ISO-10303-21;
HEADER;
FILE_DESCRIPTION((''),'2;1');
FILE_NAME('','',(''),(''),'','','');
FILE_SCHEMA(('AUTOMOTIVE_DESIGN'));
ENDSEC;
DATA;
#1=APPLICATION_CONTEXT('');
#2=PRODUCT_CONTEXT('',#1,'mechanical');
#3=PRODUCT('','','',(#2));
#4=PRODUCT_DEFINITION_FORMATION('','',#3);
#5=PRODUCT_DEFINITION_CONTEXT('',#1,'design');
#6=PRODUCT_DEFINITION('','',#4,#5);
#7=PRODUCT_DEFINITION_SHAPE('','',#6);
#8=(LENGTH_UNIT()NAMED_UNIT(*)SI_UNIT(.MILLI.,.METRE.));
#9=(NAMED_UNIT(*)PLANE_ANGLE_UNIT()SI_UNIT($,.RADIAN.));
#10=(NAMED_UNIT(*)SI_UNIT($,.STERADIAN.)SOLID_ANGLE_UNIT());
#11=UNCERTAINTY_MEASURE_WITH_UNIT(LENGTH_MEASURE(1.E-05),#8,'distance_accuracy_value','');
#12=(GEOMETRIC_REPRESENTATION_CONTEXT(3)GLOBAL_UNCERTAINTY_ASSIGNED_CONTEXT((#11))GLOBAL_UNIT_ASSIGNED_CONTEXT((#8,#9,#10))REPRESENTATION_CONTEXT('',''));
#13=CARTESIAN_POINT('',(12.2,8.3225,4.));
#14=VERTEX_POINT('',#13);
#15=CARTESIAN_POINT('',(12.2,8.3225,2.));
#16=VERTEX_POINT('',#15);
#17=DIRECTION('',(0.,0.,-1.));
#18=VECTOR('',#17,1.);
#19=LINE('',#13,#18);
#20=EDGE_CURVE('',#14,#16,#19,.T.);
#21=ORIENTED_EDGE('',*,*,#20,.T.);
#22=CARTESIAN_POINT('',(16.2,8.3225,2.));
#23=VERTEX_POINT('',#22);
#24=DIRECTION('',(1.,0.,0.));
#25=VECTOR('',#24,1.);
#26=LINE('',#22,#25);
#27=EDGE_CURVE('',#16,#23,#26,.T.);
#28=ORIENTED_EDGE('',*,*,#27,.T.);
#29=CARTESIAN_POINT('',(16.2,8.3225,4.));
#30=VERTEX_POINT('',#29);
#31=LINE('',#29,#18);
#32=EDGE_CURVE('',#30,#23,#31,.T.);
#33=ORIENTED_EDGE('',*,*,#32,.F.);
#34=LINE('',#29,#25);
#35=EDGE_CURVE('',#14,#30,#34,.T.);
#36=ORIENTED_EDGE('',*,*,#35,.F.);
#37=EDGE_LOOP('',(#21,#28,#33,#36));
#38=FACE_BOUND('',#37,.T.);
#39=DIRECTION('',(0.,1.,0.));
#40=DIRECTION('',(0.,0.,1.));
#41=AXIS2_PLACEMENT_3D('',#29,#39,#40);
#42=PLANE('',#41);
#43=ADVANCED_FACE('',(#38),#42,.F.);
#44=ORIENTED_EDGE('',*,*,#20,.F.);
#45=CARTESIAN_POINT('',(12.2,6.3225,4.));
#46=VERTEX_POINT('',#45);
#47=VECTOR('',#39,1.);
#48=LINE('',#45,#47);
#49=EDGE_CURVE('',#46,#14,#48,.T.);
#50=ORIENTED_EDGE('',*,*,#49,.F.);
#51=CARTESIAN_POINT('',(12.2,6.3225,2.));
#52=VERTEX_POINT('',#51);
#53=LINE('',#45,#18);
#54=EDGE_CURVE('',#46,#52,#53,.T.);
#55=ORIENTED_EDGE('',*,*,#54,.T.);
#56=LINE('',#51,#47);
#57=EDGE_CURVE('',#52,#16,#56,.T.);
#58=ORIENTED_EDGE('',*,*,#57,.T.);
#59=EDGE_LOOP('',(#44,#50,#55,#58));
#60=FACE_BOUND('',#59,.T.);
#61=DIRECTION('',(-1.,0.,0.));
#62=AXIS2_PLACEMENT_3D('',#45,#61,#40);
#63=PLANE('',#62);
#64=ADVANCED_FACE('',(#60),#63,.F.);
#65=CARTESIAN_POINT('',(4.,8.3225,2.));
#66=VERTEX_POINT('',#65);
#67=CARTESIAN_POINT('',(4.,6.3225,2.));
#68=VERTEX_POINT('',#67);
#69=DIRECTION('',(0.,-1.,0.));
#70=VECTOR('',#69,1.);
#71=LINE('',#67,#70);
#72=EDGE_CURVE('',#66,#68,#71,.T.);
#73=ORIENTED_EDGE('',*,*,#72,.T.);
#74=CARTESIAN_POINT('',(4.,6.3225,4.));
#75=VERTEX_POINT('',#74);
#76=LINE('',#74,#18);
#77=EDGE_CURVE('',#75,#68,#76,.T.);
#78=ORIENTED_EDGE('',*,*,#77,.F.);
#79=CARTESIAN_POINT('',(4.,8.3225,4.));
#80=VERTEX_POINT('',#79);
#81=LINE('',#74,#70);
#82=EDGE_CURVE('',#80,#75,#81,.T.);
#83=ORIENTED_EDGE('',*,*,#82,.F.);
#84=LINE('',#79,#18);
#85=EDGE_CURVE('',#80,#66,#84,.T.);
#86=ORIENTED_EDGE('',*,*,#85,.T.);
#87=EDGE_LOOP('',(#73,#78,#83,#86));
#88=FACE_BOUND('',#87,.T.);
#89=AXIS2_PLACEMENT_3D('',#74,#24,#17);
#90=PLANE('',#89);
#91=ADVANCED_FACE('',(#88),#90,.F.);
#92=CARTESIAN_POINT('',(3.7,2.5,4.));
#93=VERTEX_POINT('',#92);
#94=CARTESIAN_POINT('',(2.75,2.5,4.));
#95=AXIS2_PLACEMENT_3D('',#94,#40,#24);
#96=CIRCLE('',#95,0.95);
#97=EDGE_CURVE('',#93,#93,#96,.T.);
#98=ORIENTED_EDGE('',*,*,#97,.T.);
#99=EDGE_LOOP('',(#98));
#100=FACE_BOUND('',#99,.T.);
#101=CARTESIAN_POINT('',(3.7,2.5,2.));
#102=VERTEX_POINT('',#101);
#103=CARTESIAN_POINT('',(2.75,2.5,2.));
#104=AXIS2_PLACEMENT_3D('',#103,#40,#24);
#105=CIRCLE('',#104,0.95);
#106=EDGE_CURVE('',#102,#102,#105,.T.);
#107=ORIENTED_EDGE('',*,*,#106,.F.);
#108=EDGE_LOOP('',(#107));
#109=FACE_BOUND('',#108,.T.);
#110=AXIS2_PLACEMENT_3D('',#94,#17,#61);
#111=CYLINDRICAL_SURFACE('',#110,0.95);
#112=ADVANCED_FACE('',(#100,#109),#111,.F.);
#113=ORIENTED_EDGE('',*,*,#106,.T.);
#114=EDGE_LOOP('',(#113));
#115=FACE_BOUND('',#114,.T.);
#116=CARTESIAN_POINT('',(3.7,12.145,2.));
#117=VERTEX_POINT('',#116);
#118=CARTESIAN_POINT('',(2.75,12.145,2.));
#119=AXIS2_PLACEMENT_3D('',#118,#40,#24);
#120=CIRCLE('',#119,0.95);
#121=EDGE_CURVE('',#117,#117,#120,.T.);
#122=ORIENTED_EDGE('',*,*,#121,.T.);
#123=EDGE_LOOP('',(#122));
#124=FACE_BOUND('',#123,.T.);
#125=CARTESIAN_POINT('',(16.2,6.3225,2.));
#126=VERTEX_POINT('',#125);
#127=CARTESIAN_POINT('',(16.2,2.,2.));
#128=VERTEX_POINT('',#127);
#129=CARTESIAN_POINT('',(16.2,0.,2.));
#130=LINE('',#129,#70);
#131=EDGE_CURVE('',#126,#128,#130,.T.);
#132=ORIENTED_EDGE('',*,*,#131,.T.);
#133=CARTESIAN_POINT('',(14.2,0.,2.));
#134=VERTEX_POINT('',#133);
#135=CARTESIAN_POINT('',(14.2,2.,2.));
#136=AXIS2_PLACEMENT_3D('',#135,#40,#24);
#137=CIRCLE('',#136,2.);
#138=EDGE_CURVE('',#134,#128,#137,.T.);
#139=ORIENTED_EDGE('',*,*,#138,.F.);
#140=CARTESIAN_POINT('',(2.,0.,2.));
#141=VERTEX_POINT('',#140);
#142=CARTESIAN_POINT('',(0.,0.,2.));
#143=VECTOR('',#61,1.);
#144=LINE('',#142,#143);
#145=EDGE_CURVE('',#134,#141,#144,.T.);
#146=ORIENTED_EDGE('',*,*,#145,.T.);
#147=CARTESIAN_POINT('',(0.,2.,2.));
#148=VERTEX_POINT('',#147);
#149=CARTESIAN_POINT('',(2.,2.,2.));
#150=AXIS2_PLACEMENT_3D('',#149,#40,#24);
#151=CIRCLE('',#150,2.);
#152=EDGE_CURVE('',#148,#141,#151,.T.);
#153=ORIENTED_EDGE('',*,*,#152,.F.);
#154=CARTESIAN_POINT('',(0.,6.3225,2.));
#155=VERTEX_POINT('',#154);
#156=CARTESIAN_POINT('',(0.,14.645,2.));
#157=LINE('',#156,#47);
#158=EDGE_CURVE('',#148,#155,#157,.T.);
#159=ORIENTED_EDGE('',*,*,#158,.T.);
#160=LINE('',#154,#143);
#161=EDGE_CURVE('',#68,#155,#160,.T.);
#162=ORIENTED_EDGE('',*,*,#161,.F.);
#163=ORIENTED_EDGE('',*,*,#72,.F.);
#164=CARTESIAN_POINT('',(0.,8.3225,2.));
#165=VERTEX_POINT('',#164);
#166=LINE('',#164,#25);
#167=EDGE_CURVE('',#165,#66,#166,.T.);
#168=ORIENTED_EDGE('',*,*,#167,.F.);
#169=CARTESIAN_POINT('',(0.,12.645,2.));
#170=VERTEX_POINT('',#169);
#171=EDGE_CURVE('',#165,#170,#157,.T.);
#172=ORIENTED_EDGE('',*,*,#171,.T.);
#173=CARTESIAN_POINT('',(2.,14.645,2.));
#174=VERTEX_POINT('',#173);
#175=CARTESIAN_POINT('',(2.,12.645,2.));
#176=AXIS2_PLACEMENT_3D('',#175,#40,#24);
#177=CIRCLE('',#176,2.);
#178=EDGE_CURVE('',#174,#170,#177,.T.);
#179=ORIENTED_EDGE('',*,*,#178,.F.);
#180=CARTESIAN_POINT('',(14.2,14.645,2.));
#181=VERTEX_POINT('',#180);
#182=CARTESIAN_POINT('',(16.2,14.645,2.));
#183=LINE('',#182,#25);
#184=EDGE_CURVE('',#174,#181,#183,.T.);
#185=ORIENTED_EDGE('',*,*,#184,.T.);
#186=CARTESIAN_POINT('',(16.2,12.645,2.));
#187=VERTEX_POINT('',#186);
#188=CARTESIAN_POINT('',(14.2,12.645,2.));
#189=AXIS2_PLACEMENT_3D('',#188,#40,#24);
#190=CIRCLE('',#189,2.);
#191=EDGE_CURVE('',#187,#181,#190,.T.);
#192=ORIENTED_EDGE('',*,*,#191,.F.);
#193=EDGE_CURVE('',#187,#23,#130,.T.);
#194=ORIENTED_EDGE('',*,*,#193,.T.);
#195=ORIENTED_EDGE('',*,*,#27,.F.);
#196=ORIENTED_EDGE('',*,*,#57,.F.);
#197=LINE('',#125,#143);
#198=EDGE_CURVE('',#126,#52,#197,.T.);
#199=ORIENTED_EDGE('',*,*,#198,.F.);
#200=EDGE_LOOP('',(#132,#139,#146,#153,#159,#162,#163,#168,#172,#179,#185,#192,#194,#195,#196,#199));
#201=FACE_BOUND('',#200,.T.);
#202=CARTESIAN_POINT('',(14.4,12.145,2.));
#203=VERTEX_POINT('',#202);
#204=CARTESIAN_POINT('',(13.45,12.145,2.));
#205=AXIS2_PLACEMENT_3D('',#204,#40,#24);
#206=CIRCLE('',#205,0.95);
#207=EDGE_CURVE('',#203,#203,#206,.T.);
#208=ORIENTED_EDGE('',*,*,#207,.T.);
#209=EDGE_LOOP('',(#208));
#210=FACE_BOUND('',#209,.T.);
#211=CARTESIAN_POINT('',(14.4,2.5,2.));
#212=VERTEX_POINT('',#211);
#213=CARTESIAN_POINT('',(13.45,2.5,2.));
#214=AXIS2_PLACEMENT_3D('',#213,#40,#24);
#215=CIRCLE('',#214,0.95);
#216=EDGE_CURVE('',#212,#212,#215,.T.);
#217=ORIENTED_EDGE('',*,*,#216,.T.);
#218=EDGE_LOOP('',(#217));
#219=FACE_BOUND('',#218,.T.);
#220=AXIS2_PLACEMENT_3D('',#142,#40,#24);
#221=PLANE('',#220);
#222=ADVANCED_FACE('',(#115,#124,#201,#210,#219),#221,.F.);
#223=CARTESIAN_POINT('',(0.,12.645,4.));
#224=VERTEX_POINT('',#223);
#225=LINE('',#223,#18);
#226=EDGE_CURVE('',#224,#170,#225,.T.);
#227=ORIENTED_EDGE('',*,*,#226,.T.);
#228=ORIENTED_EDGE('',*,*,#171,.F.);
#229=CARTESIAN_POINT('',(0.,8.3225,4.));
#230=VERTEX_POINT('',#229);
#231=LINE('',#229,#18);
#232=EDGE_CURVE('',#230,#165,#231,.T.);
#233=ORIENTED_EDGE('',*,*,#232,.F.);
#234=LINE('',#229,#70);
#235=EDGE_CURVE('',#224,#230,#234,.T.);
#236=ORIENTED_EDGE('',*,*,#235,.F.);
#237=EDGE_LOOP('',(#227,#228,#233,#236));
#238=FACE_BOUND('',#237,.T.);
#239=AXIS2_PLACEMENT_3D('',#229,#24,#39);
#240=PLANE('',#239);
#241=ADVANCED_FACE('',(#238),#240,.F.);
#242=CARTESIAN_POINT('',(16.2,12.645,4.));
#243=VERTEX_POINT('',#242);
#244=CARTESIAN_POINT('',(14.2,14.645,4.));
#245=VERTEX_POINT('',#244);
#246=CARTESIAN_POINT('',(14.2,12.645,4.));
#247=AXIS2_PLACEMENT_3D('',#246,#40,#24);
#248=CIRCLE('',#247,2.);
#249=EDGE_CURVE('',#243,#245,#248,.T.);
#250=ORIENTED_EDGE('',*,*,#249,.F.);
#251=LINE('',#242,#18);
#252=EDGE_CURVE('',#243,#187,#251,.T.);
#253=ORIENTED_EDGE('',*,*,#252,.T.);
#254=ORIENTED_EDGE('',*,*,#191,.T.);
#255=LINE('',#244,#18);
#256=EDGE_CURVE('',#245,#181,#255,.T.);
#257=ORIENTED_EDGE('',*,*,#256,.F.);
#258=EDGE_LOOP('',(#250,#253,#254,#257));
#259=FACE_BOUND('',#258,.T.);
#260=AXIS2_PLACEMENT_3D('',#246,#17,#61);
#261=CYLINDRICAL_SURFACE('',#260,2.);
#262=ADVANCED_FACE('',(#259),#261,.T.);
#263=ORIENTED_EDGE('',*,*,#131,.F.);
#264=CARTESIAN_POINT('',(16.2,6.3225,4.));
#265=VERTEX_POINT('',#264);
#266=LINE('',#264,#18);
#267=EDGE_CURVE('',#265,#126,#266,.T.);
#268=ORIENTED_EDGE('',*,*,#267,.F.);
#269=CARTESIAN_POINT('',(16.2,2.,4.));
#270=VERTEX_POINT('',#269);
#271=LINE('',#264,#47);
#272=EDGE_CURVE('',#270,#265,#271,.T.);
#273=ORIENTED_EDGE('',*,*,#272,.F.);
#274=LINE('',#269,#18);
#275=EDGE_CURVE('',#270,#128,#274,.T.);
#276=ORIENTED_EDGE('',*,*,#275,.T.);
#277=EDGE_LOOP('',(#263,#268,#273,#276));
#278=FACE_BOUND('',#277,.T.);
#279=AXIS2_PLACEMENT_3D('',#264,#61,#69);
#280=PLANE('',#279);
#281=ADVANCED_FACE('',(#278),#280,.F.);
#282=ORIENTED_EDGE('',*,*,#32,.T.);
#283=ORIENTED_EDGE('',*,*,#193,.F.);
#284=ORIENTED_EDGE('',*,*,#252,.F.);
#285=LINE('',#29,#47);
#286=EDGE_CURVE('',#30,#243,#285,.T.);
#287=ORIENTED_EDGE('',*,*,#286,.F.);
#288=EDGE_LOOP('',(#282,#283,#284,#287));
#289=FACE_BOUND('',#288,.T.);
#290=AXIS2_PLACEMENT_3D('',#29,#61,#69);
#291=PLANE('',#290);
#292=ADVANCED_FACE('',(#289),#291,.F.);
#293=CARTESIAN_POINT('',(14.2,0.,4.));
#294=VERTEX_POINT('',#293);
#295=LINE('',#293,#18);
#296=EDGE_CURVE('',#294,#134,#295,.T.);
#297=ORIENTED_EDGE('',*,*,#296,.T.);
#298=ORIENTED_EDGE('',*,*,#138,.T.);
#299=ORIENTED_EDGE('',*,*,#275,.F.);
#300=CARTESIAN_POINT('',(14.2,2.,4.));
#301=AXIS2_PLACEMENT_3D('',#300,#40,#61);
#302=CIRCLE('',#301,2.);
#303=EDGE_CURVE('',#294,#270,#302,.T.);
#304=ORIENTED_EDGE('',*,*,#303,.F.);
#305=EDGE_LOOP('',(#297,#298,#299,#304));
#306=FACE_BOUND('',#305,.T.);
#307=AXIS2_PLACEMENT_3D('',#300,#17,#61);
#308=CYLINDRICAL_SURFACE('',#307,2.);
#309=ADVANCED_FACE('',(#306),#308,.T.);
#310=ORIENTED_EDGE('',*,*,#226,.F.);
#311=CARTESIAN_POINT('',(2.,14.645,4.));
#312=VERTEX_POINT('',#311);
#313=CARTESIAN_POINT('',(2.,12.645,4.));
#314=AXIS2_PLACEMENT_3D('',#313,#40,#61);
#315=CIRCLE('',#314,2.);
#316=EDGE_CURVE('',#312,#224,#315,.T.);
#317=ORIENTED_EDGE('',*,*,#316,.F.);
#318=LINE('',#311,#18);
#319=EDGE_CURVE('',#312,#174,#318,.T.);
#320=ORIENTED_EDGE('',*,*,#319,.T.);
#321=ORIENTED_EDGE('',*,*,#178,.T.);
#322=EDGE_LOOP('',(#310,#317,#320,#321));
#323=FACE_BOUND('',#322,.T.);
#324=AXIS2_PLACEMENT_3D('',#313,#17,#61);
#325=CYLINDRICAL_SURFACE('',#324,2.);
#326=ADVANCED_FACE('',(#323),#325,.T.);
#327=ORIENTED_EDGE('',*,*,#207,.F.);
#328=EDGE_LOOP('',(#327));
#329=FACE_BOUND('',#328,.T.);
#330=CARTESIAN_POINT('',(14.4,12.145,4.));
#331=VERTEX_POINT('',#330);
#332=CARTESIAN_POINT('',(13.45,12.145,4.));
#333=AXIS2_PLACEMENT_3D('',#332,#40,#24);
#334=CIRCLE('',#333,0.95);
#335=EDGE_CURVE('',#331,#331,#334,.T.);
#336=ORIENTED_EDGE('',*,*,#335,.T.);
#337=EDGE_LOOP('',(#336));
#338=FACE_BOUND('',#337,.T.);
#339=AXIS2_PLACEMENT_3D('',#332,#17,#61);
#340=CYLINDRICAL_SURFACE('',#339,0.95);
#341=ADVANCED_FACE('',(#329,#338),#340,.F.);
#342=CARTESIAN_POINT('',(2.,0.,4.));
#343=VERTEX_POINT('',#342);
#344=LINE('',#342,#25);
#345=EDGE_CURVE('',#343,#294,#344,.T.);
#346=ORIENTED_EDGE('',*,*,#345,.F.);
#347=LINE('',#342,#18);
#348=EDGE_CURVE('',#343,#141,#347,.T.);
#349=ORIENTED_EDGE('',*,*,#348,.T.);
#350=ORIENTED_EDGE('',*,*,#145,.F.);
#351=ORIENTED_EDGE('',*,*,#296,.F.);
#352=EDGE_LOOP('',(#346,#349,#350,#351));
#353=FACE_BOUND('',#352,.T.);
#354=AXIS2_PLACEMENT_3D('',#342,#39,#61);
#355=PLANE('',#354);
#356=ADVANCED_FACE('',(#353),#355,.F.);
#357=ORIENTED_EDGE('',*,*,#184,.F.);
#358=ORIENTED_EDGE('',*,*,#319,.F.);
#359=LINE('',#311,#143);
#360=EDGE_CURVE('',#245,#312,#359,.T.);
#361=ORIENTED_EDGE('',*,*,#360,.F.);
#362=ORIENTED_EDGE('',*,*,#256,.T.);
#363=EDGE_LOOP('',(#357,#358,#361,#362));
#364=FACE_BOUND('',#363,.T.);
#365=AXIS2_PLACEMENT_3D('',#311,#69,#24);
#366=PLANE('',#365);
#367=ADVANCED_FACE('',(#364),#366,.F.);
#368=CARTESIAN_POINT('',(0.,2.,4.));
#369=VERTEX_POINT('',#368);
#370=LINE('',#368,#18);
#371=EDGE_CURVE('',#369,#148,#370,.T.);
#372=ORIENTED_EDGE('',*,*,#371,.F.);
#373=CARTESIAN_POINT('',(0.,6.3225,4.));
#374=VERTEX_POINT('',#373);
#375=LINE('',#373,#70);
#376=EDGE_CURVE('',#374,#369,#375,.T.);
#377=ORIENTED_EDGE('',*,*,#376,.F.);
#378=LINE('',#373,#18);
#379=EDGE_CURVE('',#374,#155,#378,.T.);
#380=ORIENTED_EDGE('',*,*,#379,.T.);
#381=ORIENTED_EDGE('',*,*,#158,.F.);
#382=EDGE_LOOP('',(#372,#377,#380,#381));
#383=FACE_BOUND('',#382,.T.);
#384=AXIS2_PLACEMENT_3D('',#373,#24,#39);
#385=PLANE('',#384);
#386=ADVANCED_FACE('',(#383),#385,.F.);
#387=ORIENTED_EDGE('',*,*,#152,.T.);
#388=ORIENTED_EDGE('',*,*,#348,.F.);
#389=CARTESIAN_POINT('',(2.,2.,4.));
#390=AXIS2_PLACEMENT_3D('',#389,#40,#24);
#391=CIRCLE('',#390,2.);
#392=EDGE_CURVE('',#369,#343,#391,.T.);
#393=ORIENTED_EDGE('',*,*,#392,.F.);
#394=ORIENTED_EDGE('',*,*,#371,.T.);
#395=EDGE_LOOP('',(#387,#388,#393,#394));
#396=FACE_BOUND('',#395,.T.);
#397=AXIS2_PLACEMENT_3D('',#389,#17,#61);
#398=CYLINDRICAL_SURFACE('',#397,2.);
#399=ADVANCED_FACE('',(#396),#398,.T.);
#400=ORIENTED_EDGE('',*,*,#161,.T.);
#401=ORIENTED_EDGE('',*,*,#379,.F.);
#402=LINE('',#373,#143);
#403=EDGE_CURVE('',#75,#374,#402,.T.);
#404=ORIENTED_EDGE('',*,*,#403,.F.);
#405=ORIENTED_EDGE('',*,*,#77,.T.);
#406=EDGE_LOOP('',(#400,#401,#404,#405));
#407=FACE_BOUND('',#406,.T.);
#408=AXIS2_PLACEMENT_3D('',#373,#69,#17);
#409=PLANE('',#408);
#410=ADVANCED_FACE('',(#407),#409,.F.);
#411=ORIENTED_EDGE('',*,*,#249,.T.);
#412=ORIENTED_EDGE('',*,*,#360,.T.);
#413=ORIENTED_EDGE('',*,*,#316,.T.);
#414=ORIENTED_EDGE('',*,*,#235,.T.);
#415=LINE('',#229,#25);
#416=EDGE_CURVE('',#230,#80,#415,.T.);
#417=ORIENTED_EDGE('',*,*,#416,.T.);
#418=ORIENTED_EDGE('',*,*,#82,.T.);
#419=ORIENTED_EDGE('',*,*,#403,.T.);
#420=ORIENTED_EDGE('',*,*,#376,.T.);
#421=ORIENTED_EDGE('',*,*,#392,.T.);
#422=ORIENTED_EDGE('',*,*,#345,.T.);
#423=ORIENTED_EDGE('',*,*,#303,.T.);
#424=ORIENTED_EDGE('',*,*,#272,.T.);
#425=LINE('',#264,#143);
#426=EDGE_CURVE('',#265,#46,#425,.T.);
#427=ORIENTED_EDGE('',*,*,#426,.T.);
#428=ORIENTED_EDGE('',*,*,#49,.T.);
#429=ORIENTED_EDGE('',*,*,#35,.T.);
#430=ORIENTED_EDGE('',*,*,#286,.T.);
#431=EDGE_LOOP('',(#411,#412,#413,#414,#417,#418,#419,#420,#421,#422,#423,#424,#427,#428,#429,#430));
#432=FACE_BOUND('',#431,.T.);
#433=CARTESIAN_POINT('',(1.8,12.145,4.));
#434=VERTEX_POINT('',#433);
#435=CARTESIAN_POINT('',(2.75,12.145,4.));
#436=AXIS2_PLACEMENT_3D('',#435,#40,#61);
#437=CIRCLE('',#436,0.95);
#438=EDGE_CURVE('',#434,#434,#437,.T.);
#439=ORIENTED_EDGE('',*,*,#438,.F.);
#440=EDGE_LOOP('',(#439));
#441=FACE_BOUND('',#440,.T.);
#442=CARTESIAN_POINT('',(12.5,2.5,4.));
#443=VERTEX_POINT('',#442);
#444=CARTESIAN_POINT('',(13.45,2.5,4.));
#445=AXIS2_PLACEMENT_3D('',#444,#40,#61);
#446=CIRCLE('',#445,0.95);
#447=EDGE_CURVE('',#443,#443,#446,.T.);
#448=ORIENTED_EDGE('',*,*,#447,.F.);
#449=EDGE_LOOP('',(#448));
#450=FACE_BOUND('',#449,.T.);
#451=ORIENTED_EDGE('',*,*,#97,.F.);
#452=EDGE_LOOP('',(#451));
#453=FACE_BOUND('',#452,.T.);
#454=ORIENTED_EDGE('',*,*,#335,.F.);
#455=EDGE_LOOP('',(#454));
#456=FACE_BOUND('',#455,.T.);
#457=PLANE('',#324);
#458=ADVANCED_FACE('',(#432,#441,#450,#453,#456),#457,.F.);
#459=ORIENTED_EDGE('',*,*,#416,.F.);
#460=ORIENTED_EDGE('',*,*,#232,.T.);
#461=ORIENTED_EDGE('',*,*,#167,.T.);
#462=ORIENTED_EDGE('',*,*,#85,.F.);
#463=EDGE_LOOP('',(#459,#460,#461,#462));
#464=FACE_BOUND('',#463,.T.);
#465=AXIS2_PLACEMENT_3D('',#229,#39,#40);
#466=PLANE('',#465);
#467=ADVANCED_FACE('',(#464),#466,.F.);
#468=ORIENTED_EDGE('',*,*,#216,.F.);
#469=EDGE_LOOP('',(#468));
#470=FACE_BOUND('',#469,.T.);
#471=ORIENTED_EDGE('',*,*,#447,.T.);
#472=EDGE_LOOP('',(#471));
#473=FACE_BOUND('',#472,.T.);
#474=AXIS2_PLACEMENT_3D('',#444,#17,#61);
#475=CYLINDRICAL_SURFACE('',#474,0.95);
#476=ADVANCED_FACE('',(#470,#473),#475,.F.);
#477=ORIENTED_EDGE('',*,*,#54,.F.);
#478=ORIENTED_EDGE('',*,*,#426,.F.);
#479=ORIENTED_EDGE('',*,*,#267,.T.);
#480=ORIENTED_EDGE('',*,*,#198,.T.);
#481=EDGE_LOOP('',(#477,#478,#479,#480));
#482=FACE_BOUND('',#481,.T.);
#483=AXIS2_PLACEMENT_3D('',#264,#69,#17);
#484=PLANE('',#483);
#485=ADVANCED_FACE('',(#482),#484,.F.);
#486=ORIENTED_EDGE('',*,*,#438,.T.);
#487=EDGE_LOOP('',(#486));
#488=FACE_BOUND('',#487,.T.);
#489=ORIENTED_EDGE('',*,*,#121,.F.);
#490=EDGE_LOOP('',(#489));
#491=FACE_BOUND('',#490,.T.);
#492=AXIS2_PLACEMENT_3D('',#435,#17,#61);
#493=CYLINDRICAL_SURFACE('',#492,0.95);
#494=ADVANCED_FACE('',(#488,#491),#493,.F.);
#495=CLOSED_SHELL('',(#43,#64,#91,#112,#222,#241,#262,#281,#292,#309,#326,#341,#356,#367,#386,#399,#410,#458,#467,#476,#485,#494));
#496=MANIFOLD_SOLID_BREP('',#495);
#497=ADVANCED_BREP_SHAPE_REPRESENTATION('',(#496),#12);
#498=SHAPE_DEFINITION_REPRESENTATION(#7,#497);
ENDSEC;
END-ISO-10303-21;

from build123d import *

# Parameters (mm, degrees)
SKETCH1_R           = 0.95
BOSS_EXTRUDE1_DEPTH = 4
SKETCH2_W           = 16.2
SKETCH2_H           = 14.645
CUT_EXTRUDE1_DEPTH  = 2


with BuildPart() as part:
    # Sketch1 → Boss-Extrude1 (new body)
    with BuildSketch(Plane.XY):
        with BuildLine():
            Line((2, 14.645), (14.2, 14.645))
            ThreePointArc((14.2, 14.645), (15.614213562, 14.059213562), (16.2, 12.645))
            Line((16.2, 12.645), (16.2, 8.3225))
            Line((16.2, 8.3225), (12.2, 8.3225))
            Line((12.2, 8.3225), (12.2, 6.3225))
            Line((12.2, 6.3225), (16.2, 6.3225))
            Line((16.2, 6.3225), (16.2, 2))
            ThreePointArc((16.2, 2), (15.614213562, 0.585786438), (14.2, 0))
            Line((14.2, 0), (2, 0))
            ThreePointArc((2, 0), (0.585786438, 0.585786438), (0, 2))
            Line((0, 2), (0, 6.3225))
            Line((0, 6.3225), (4, 6.3225))
            Line((4, 6.3225), (4, 8.3225))
            Line((4, 8.3225), (0, 8.3225))
            Line((0, 8.3225), (0, 12.645))
            ThreePointArc((0, 12.645), (0.585786438, 14.059213562), (2, 14.645))
        make_face()
        with Locations((2.75, 12.145)):
            Circle(SKETCH1_R, mode=Mode.SUBTRACT)
        with Locations((13.45, 2.5)):
            Circle(SKETCH1_R, mode=Mode.SUBTRACT)
        with Locations((13.45, 12.145)):
            Circle(SKETCH1_R, mode=Mode.SUBTRACT)
        with Locations((2.75, 2.5)):
            Circle(SKETCH1_R, mode=Mode.SUBTRACT)
    extrude(amount=BOSS_EXTRUDE1_DEPTH)

    # Sketch2 → Cut-Extrude1 (cut)
    with BuildSketch(Plane(origin=(0, 0, 0), x_dir=(-1, 0, 0), z_dir=(0, 0, -1))):
        with Locations((-8.1, 7.3225)):
            Rectangle(SKETCH2_W, SKETCH2_H)
    extrude(amount=-CUT_EXTRUDE1_DEPTH, mode=Mode.SUBTRACT)


solid = part.part
